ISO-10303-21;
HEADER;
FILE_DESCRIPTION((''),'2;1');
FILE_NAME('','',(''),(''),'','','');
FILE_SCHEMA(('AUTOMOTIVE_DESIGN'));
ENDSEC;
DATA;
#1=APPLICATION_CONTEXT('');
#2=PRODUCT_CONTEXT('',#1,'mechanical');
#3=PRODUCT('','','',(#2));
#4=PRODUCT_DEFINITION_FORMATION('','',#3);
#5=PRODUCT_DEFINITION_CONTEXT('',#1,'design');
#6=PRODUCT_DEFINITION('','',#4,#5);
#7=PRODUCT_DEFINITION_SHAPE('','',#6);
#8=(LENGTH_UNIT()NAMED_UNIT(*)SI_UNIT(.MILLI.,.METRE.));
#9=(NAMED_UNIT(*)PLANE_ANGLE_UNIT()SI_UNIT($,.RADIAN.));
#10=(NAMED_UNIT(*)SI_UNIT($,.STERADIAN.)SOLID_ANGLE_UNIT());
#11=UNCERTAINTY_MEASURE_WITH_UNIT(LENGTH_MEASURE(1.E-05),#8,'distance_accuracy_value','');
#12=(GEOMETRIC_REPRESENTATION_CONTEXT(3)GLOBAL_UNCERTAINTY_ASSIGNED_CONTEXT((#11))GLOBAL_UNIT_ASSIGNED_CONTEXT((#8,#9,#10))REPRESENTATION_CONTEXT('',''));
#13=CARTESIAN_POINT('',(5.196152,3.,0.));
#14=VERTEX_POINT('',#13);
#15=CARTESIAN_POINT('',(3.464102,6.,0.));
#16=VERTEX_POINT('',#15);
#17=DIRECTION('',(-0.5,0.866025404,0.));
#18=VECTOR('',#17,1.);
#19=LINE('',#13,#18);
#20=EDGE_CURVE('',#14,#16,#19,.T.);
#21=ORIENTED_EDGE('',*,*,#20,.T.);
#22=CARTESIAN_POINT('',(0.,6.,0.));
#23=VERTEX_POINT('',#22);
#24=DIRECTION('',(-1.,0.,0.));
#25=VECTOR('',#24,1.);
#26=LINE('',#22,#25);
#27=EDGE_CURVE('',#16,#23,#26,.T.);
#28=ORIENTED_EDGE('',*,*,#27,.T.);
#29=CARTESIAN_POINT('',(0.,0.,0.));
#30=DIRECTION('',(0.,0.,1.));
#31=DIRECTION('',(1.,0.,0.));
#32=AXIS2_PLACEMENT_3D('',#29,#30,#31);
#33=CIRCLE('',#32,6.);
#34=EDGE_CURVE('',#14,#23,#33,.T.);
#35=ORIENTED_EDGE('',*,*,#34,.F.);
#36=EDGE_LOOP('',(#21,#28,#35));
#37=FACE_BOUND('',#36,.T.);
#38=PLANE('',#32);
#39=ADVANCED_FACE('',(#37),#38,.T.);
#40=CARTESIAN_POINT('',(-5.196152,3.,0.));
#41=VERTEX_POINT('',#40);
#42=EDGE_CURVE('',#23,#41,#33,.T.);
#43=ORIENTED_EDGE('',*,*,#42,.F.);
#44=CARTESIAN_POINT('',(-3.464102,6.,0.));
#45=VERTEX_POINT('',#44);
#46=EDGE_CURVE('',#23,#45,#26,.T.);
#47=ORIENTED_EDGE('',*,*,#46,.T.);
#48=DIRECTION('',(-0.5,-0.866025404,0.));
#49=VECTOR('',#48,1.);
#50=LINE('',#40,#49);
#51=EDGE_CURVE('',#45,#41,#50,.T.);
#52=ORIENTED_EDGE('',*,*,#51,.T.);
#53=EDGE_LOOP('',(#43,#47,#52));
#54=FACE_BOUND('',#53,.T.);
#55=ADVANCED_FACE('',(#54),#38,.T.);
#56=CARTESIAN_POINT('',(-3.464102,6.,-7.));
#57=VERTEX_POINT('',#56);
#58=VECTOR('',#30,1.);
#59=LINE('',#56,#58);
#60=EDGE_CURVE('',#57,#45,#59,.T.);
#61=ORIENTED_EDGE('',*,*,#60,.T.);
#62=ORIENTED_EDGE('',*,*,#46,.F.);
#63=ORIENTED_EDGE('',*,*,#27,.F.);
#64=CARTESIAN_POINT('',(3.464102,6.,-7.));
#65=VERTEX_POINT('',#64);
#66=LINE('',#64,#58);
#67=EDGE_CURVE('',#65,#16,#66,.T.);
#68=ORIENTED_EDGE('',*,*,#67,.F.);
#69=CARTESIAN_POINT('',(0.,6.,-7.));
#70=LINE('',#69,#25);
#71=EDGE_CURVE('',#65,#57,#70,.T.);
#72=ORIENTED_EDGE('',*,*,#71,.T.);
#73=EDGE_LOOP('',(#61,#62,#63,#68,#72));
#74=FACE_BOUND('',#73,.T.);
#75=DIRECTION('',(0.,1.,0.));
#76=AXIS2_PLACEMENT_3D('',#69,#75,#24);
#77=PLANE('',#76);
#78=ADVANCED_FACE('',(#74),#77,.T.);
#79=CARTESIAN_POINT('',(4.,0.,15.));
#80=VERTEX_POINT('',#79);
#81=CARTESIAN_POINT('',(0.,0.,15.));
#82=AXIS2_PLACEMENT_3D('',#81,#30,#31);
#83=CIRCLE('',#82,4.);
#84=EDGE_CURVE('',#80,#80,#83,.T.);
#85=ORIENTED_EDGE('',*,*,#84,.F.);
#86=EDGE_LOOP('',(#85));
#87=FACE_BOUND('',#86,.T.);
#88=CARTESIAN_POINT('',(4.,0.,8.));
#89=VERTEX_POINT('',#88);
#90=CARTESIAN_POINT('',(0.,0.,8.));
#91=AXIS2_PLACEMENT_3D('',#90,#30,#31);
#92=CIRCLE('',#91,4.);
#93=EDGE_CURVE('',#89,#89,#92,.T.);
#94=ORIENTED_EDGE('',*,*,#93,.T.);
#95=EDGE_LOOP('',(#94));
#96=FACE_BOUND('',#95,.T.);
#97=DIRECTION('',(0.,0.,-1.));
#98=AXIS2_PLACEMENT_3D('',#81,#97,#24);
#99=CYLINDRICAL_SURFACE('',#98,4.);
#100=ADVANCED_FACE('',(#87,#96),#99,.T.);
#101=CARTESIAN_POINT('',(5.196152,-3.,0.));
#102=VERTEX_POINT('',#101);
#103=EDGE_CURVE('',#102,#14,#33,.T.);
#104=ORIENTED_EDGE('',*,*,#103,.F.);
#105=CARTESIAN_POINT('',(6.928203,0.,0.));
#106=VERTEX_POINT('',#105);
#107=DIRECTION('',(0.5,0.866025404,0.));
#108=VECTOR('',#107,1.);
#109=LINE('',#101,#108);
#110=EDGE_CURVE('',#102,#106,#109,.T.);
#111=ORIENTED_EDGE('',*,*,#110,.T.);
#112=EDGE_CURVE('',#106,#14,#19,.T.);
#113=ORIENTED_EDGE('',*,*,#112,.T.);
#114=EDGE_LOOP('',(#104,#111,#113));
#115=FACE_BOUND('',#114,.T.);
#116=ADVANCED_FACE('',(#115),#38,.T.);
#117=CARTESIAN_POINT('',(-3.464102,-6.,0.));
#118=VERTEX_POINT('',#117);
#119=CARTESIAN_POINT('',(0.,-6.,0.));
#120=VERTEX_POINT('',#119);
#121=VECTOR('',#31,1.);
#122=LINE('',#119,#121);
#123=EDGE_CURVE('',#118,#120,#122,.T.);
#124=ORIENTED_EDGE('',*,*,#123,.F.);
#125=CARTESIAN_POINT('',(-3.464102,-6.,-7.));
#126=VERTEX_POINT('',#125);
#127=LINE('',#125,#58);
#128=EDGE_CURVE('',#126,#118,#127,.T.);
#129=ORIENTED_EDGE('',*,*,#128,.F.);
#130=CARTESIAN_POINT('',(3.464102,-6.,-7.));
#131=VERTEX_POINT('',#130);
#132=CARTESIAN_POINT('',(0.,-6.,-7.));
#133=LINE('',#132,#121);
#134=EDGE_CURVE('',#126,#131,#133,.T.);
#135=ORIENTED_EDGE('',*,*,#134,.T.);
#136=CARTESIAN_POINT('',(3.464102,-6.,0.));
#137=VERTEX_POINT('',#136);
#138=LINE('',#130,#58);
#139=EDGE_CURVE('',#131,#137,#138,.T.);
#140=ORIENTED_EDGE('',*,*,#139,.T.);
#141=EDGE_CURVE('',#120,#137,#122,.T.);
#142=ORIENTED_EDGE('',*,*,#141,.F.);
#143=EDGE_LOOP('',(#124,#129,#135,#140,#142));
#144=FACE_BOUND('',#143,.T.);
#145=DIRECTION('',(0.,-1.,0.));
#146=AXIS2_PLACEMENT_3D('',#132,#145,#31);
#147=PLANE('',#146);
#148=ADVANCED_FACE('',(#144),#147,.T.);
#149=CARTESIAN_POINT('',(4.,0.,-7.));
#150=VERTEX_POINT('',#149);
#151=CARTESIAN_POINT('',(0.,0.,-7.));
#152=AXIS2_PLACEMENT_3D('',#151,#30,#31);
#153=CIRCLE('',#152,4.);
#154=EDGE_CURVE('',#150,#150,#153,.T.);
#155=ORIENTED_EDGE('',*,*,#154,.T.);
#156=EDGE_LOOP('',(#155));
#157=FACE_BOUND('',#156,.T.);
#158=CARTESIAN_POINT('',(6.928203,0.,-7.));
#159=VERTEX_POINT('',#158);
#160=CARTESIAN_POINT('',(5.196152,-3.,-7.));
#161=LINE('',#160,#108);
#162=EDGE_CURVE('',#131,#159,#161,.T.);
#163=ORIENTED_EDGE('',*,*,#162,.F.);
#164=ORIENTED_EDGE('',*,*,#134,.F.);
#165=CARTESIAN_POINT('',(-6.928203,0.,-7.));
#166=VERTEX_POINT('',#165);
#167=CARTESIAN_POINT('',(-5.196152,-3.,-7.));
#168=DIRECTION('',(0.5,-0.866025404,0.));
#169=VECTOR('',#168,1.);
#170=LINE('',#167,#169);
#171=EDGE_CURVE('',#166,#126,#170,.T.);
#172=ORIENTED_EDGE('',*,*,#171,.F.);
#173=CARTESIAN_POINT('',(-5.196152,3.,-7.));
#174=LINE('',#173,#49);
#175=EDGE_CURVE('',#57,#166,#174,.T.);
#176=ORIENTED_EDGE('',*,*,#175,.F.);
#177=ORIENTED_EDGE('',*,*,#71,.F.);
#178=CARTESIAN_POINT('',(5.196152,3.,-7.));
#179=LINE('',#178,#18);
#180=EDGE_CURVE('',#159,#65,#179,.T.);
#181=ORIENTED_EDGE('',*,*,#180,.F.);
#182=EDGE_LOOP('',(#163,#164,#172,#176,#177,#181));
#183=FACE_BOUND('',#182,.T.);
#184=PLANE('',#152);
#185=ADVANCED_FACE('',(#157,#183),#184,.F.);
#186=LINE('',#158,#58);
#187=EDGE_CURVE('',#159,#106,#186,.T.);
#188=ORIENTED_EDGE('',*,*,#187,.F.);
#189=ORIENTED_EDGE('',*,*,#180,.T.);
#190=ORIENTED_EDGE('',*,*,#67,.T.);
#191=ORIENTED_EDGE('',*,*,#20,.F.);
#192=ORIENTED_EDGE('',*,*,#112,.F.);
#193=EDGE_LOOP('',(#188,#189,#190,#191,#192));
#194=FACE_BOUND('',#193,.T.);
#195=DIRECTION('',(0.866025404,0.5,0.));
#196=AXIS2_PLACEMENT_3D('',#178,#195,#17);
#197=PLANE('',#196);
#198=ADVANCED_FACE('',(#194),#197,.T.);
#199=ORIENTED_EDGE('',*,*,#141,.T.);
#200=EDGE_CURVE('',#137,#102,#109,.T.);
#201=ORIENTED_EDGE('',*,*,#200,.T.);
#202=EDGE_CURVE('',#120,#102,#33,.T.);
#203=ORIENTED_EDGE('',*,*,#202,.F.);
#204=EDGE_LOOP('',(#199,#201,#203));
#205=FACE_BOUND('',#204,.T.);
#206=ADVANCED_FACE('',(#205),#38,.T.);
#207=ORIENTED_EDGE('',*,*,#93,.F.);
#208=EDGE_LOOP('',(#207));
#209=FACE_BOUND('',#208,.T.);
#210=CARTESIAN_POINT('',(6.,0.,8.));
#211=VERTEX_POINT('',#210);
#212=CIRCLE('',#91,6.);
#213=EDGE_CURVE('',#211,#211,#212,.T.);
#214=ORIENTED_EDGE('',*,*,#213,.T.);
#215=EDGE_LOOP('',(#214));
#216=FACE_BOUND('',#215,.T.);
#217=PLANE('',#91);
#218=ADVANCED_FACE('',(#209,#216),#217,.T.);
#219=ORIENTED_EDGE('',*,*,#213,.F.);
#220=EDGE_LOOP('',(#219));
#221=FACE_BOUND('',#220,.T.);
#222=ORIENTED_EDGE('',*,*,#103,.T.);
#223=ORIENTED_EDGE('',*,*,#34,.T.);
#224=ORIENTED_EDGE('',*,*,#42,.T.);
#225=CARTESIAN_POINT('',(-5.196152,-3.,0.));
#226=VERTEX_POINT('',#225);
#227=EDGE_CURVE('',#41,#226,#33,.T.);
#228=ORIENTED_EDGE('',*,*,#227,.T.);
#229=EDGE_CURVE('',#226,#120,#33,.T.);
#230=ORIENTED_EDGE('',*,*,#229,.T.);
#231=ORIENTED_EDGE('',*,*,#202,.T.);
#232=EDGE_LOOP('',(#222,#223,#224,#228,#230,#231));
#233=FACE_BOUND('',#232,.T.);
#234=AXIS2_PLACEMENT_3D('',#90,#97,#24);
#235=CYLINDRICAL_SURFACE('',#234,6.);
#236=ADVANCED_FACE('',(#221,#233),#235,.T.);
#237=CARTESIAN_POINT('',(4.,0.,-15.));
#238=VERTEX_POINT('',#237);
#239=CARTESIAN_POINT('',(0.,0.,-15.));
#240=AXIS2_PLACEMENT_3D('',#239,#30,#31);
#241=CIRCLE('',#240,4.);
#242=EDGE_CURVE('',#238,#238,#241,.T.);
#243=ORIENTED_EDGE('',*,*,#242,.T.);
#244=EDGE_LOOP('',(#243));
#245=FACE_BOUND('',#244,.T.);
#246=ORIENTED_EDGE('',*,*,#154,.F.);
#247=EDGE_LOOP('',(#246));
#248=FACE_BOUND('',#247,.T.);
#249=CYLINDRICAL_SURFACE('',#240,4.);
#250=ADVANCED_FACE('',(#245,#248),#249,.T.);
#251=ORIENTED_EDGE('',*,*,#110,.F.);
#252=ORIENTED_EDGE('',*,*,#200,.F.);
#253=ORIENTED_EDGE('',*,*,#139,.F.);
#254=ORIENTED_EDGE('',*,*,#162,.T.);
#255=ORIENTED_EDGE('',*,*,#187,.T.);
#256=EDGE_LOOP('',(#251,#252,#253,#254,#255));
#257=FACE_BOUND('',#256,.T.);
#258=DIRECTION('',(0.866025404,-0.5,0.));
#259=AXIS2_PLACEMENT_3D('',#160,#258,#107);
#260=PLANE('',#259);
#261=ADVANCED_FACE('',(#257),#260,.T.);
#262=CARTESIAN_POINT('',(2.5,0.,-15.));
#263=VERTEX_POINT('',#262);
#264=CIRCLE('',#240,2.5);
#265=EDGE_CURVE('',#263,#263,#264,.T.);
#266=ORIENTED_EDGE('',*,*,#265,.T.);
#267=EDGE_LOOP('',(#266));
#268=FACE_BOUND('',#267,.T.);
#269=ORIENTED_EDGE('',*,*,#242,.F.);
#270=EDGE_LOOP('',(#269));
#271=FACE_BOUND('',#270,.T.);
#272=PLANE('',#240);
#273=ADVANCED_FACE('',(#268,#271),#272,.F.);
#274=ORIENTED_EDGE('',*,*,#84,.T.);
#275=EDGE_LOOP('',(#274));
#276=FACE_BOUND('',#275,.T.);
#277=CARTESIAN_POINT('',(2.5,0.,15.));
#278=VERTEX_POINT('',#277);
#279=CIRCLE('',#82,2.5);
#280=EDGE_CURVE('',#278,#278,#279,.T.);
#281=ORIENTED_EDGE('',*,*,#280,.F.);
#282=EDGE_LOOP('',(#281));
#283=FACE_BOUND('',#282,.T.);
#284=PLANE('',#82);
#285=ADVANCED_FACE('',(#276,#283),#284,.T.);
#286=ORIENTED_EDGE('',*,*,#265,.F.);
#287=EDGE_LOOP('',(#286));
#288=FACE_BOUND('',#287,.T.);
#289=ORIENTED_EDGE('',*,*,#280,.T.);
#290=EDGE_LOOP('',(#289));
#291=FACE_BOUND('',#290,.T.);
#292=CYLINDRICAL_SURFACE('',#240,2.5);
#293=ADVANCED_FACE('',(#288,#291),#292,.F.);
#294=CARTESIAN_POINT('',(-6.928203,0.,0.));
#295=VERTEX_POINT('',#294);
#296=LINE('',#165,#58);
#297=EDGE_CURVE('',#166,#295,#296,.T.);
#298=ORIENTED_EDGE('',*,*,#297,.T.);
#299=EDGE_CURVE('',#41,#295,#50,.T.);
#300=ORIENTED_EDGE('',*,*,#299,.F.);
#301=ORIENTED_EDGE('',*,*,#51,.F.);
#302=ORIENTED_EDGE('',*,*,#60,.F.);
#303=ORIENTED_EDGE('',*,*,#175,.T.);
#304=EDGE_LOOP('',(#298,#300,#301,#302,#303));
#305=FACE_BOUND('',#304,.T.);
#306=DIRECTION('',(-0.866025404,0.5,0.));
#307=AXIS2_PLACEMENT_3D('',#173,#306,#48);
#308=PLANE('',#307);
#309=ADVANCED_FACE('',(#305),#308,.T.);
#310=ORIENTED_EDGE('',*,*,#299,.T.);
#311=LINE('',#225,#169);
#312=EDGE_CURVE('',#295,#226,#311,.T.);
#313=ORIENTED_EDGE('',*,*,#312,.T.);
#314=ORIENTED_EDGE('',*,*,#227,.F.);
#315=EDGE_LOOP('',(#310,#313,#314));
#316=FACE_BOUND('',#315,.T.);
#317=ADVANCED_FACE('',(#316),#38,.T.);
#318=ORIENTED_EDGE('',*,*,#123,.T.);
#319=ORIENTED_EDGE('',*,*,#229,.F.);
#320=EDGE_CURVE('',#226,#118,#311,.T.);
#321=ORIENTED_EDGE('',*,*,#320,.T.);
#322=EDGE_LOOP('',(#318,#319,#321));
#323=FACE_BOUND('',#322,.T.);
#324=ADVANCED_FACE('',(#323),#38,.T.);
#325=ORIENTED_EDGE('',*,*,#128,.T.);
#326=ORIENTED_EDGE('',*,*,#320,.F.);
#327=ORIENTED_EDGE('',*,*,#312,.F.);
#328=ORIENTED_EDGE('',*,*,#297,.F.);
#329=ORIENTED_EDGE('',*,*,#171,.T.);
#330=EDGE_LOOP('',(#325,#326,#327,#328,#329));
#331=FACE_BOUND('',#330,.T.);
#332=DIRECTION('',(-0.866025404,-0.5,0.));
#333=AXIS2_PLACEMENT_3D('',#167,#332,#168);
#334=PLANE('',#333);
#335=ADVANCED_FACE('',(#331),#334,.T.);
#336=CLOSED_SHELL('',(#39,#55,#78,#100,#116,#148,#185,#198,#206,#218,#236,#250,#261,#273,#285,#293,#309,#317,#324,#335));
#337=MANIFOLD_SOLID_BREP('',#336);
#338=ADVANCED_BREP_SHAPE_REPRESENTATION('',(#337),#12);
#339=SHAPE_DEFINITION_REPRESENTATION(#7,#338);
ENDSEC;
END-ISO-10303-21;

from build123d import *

# Parameters (mm, degrees)
SKETCH1_R           = 4
BOSS_EXTRUDE1_DEPTH = 7
SKETCH1_3_R         = 4
SKETCH1_3_R_2       = 2.5
BOSS_EXTRUDE2_DEPTH = 15
BOSS_EXTRUDE3_START = 8
SKETCH1_4_R         = 4
BOSS_EXTRUDE3_DEPTH = 8
BOSS_EXTRUDE4_START = 15
SKETCH1_5_R         = 4
SKETCH1_5_R_2       = 2.5
BOSS_EXTRUDE4_DEPTH = 15


with BuildPart() as part:
    # Sketch1 → Boss-Extrude1 (new body)
    with BuildSketch(Plane.XY):
        Polygon((6.92820323, 0), (3.464101615, 6), (-3.464101615, 6), (-6.92820323, 0), (-3.464101615, -6), (3.464101615, -6), align=None)
        Circle(SKETCH1_R, mode=Mode.SUBTRACT)
    extrude(amount=-BOSS_EXTRUDE1_DEPTH)

    # Sketch1<3> → Boss-Extrude2 (add)
    with BuildSketch(Plane.XY):
        Circle(SKETCH1_3_R)
        Circle(SKETCH1_3_R_2, mode=Mode.SUBTRACT)
    extrude(amount=-BOSS_EXTRUDE2_DEPTH)

    # Sketch1<4> → Boss-Extrude3 (add)
    with BuildSketch(Plane.XY.offset(BOSS_EXTRUDE3_START)):
        with BuildLine():
            ThreePointArc((6, 0), (5.795555021, 1.552914036), (5.196152666, 2.999999578))
            ThreePointArc((5.196152666, 2.999999578), (3.000000209, 5.196152302), (-3e-09, 6))
            ThreePointArc((-3e-09, 6), (-3.000000081, 5.196152376), (-5.196152514, 2.999999842))
            ThreePointArc((-5.196152514, 2.999999842), (-6, 1.76e-07), (-5.19615269, -2.999999537))
            ThreePointArc((-5.19615269, -2.999999537), (-3.000000229, -5.19615229), (5e-09, -6))
            ThreePointArc((5e-09, -6), (3.000000007, -5.196152419), (5.196152428, -2.999999991))
            ThreePointArc((5.196152428, -2.999999991), (5.795554959, -1.552914265), (6, 0))
        make_face()
        Circle(SKETCH1_4_R, mode=Mode.SUBTRACT)
    extrude(amount=-BOSS_EXTRUDE3_DEPTH)

    # Sketch1<5> → Boss-Extrude4 (add)
    with BuildSketch(Plane.XY.offset(BOSS_EXTRUDE4_START)):
        Circle(SKETCH1_5_R)
        Circle(SKETCH1_5_R_2, mode=Mode.SUBTRACT)
    extrude(amount=-BOSS_EXTRUDE4_DEPTH)


solid = part.part
